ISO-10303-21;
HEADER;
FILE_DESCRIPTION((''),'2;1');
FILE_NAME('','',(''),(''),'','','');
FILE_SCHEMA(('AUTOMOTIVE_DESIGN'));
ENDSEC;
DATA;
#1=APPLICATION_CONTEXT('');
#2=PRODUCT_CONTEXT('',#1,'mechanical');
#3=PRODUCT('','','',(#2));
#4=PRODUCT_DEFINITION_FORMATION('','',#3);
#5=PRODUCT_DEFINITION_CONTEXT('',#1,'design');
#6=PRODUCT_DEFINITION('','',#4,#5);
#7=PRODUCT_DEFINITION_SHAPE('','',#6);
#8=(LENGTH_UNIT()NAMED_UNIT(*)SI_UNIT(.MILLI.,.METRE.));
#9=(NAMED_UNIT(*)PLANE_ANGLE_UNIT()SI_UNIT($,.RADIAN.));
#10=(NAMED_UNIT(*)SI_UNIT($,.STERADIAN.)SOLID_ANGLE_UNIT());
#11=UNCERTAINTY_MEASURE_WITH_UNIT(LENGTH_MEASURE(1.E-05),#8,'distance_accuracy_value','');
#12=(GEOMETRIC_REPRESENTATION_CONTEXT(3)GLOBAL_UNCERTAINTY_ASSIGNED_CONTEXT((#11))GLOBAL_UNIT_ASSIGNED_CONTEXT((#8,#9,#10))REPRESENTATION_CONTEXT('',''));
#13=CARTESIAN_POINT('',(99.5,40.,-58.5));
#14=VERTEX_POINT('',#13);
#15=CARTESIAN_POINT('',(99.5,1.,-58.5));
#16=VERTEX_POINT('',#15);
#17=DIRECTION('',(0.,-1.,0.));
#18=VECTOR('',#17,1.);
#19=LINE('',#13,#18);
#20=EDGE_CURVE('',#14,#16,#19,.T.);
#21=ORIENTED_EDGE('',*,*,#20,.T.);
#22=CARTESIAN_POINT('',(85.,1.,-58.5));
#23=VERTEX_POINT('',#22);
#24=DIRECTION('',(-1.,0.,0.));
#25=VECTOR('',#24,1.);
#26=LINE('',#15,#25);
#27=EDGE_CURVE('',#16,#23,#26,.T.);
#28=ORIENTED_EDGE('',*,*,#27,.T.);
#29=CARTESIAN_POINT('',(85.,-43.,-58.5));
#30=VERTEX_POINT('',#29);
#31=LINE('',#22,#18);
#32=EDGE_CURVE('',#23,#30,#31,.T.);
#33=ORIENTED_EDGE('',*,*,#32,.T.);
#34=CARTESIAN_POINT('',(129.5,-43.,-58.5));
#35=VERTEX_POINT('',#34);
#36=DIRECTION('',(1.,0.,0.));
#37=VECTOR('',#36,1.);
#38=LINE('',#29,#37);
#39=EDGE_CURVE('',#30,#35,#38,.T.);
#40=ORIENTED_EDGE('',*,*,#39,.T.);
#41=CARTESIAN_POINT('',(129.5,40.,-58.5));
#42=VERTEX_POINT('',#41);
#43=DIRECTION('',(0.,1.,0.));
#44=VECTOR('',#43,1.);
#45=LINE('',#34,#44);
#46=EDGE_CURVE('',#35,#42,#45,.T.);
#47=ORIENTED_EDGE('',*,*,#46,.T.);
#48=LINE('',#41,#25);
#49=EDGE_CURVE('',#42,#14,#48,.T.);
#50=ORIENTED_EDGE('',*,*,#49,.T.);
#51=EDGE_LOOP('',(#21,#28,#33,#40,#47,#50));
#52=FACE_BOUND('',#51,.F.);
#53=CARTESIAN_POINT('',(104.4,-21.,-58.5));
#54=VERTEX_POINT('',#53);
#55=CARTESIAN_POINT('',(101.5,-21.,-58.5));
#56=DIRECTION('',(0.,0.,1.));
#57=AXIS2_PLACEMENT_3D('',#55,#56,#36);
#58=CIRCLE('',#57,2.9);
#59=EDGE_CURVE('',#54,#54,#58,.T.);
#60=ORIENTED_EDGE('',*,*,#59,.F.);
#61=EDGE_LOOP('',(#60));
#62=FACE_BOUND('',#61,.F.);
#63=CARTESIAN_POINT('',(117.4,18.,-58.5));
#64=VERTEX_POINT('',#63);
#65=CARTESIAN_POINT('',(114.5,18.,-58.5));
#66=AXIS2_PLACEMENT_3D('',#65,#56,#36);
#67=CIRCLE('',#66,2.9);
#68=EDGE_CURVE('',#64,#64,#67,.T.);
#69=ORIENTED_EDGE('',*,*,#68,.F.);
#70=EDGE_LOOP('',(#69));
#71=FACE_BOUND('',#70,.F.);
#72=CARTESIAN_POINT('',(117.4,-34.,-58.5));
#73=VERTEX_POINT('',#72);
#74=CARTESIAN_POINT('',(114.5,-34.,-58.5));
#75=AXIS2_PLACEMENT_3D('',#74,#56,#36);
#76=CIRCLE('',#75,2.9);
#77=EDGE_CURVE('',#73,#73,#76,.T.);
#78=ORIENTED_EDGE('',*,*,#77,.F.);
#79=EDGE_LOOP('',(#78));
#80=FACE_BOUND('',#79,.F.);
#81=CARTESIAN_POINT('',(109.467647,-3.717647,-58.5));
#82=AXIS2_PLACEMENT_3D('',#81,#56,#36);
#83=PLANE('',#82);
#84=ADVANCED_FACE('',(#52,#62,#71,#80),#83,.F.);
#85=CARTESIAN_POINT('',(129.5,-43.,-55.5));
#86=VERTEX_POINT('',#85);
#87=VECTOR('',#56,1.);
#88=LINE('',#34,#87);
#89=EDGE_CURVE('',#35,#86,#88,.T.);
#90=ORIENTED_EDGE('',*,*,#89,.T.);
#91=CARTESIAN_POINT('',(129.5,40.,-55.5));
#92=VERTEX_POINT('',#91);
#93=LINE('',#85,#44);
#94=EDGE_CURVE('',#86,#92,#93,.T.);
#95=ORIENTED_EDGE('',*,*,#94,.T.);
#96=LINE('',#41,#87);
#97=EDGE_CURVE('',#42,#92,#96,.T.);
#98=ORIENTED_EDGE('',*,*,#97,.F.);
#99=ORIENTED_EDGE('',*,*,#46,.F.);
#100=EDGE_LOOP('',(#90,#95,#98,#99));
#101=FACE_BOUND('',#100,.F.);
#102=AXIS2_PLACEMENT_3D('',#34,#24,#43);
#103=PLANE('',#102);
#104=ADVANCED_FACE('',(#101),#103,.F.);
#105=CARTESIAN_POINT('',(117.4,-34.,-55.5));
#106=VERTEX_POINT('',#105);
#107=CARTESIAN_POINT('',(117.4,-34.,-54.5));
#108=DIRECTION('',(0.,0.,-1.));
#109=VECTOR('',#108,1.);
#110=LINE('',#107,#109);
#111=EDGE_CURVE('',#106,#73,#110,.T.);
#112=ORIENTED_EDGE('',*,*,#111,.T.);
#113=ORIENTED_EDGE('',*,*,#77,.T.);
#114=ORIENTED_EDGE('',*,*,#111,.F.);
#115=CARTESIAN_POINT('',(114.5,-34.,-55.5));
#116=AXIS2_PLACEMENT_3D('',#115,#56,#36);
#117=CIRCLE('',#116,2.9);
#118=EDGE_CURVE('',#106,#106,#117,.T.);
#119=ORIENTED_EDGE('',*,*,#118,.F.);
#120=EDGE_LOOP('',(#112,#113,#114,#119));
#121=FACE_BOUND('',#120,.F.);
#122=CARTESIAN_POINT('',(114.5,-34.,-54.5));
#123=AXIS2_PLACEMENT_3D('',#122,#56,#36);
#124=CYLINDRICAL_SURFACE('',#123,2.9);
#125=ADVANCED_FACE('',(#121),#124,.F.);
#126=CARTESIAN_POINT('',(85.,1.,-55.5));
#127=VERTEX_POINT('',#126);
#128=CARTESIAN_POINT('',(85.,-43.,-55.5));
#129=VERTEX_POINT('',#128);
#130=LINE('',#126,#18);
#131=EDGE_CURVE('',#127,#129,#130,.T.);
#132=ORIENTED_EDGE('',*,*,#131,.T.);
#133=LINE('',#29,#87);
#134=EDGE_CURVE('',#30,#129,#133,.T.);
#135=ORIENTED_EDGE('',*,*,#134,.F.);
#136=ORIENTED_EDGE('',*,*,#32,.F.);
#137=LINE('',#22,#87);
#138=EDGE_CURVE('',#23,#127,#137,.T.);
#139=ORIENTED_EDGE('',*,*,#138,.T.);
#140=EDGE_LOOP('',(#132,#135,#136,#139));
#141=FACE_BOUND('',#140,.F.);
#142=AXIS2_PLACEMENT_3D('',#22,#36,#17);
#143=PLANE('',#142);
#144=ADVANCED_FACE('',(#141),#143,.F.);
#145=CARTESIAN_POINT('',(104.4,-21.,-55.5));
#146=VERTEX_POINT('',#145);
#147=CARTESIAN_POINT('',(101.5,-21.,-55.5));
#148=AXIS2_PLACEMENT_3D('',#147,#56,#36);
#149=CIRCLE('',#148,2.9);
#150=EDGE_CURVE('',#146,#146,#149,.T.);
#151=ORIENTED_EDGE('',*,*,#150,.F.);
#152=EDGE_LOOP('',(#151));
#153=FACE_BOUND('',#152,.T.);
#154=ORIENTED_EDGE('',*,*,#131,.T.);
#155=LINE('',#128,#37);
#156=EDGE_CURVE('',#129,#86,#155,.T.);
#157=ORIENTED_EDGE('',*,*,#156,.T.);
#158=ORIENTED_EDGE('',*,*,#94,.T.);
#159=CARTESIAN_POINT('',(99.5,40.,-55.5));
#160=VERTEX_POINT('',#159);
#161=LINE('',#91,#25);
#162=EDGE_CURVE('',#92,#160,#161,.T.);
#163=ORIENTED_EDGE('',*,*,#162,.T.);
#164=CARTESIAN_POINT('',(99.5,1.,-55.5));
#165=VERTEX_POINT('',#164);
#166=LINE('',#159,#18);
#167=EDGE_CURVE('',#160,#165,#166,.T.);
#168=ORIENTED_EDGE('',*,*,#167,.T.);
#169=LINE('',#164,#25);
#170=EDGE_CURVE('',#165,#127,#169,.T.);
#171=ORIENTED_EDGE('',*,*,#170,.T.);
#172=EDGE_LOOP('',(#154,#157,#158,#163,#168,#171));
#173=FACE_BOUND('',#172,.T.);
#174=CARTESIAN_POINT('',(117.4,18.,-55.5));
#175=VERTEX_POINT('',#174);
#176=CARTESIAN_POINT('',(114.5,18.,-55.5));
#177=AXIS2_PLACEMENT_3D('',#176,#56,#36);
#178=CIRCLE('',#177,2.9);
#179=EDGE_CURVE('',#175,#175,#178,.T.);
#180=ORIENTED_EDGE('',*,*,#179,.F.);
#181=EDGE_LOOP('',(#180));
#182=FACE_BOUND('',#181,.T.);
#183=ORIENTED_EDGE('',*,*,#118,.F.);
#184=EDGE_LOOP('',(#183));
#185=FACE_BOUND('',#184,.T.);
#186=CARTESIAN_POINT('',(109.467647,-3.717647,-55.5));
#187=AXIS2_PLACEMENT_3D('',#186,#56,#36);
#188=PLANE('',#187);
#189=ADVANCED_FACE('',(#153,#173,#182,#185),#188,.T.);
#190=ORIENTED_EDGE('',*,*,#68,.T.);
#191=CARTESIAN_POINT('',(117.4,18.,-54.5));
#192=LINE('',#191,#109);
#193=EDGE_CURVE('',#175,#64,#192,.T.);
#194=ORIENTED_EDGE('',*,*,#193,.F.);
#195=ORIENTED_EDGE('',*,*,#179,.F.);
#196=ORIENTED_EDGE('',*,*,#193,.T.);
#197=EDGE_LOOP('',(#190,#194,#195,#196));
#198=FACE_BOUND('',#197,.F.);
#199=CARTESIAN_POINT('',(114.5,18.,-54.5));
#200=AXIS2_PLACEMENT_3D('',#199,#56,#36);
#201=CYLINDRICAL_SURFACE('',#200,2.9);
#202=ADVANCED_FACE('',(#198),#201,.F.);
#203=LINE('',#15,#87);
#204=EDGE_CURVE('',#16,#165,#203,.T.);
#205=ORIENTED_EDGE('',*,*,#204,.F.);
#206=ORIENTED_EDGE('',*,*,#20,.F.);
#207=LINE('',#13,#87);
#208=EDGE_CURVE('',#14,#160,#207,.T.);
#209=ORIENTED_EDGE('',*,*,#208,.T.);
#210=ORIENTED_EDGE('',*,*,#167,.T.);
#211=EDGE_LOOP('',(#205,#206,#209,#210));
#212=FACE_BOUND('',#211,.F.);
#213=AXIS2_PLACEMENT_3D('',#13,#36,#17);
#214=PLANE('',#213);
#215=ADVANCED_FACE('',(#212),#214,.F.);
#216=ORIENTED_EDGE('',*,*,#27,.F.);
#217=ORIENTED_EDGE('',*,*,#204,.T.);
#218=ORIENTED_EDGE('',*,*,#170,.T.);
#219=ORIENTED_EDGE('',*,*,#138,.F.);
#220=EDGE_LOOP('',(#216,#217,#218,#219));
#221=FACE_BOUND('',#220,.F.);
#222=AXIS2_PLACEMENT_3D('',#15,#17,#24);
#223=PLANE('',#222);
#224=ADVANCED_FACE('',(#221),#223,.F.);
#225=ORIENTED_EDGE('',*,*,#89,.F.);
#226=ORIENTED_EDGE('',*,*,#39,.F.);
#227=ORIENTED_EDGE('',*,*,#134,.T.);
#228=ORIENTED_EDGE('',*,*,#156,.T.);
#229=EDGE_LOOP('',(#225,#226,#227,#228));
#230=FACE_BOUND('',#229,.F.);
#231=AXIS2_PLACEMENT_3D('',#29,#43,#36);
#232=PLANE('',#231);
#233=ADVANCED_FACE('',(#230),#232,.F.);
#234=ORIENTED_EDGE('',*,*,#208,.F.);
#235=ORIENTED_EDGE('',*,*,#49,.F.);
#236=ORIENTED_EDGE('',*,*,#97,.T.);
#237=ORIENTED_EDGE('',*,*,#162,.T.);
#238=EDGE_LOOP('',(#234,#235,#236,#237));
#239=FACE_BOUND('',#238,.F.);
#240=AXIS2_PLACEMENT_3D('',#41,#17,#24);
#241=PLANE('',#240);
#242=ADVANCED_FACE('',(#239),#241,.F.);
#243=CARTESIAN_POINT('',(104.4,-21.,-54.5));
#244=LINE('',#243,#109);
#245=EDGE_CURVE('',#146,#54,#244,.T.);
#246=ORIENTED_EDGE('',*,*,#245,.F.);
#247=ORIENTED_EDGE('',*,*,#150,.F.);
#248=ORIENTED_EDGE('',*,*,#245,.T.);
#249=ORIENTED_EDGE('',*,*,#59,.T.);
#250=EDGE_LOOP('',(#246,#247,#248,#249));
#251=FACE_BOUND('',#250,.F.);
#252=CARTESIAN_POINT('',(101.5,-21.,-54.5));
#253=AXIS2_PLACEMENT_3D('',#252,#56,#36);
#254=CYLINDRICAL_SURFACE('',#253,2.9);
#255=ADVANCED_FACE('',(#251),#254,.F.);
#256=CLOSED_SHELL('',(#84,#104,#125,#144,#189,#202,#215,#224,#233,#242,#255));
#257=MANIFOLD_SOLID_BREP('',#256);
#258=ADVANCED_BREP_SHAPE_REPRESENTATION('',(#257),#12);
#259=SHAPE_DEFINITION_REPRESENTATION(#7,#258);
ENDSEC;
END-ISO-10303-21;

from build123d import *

# Parameters (mm, degrees)
PAD034_DEPTH  = 3
SKETCH060_R   = 2.9
HOLE001_DEPTH = 4.001


with BuildPart() as part:
    # Sketch058 → Pad034 (new body)
    with BuildSketch(Plane.XY.offset(-58.5)):
        Polygon((111, 40), (81, 40), (81, 1), (66.5, 1), (66.5, -43), (111, -43), align=None)
    extrude(amount=PAD034_DEPTH)

    # Sketch060 → Hole001 (cut, through all)
    with BuildSketch(Plane(origin=(1, 0, -54.5), x_dir=(1, 0, 0), z_dir=(0, 0, 1))):
        with Locations((95, 18)):
            Circle(SKETCH060_R)
        with Locations((82, -21)):
            Circle(SKETCH060_R)
        with Locations((95, -34)):
            Circle(SKETCH060_R)
    extrude(amount=-HOLE001_DEPTH, mode=Mode.SUBTRACT)


with BuildPart() as part_1:
    # Body014 placement: moved
    add(part.part.moved(Location((18.5, 0, 0))))


solid = part_1.part
